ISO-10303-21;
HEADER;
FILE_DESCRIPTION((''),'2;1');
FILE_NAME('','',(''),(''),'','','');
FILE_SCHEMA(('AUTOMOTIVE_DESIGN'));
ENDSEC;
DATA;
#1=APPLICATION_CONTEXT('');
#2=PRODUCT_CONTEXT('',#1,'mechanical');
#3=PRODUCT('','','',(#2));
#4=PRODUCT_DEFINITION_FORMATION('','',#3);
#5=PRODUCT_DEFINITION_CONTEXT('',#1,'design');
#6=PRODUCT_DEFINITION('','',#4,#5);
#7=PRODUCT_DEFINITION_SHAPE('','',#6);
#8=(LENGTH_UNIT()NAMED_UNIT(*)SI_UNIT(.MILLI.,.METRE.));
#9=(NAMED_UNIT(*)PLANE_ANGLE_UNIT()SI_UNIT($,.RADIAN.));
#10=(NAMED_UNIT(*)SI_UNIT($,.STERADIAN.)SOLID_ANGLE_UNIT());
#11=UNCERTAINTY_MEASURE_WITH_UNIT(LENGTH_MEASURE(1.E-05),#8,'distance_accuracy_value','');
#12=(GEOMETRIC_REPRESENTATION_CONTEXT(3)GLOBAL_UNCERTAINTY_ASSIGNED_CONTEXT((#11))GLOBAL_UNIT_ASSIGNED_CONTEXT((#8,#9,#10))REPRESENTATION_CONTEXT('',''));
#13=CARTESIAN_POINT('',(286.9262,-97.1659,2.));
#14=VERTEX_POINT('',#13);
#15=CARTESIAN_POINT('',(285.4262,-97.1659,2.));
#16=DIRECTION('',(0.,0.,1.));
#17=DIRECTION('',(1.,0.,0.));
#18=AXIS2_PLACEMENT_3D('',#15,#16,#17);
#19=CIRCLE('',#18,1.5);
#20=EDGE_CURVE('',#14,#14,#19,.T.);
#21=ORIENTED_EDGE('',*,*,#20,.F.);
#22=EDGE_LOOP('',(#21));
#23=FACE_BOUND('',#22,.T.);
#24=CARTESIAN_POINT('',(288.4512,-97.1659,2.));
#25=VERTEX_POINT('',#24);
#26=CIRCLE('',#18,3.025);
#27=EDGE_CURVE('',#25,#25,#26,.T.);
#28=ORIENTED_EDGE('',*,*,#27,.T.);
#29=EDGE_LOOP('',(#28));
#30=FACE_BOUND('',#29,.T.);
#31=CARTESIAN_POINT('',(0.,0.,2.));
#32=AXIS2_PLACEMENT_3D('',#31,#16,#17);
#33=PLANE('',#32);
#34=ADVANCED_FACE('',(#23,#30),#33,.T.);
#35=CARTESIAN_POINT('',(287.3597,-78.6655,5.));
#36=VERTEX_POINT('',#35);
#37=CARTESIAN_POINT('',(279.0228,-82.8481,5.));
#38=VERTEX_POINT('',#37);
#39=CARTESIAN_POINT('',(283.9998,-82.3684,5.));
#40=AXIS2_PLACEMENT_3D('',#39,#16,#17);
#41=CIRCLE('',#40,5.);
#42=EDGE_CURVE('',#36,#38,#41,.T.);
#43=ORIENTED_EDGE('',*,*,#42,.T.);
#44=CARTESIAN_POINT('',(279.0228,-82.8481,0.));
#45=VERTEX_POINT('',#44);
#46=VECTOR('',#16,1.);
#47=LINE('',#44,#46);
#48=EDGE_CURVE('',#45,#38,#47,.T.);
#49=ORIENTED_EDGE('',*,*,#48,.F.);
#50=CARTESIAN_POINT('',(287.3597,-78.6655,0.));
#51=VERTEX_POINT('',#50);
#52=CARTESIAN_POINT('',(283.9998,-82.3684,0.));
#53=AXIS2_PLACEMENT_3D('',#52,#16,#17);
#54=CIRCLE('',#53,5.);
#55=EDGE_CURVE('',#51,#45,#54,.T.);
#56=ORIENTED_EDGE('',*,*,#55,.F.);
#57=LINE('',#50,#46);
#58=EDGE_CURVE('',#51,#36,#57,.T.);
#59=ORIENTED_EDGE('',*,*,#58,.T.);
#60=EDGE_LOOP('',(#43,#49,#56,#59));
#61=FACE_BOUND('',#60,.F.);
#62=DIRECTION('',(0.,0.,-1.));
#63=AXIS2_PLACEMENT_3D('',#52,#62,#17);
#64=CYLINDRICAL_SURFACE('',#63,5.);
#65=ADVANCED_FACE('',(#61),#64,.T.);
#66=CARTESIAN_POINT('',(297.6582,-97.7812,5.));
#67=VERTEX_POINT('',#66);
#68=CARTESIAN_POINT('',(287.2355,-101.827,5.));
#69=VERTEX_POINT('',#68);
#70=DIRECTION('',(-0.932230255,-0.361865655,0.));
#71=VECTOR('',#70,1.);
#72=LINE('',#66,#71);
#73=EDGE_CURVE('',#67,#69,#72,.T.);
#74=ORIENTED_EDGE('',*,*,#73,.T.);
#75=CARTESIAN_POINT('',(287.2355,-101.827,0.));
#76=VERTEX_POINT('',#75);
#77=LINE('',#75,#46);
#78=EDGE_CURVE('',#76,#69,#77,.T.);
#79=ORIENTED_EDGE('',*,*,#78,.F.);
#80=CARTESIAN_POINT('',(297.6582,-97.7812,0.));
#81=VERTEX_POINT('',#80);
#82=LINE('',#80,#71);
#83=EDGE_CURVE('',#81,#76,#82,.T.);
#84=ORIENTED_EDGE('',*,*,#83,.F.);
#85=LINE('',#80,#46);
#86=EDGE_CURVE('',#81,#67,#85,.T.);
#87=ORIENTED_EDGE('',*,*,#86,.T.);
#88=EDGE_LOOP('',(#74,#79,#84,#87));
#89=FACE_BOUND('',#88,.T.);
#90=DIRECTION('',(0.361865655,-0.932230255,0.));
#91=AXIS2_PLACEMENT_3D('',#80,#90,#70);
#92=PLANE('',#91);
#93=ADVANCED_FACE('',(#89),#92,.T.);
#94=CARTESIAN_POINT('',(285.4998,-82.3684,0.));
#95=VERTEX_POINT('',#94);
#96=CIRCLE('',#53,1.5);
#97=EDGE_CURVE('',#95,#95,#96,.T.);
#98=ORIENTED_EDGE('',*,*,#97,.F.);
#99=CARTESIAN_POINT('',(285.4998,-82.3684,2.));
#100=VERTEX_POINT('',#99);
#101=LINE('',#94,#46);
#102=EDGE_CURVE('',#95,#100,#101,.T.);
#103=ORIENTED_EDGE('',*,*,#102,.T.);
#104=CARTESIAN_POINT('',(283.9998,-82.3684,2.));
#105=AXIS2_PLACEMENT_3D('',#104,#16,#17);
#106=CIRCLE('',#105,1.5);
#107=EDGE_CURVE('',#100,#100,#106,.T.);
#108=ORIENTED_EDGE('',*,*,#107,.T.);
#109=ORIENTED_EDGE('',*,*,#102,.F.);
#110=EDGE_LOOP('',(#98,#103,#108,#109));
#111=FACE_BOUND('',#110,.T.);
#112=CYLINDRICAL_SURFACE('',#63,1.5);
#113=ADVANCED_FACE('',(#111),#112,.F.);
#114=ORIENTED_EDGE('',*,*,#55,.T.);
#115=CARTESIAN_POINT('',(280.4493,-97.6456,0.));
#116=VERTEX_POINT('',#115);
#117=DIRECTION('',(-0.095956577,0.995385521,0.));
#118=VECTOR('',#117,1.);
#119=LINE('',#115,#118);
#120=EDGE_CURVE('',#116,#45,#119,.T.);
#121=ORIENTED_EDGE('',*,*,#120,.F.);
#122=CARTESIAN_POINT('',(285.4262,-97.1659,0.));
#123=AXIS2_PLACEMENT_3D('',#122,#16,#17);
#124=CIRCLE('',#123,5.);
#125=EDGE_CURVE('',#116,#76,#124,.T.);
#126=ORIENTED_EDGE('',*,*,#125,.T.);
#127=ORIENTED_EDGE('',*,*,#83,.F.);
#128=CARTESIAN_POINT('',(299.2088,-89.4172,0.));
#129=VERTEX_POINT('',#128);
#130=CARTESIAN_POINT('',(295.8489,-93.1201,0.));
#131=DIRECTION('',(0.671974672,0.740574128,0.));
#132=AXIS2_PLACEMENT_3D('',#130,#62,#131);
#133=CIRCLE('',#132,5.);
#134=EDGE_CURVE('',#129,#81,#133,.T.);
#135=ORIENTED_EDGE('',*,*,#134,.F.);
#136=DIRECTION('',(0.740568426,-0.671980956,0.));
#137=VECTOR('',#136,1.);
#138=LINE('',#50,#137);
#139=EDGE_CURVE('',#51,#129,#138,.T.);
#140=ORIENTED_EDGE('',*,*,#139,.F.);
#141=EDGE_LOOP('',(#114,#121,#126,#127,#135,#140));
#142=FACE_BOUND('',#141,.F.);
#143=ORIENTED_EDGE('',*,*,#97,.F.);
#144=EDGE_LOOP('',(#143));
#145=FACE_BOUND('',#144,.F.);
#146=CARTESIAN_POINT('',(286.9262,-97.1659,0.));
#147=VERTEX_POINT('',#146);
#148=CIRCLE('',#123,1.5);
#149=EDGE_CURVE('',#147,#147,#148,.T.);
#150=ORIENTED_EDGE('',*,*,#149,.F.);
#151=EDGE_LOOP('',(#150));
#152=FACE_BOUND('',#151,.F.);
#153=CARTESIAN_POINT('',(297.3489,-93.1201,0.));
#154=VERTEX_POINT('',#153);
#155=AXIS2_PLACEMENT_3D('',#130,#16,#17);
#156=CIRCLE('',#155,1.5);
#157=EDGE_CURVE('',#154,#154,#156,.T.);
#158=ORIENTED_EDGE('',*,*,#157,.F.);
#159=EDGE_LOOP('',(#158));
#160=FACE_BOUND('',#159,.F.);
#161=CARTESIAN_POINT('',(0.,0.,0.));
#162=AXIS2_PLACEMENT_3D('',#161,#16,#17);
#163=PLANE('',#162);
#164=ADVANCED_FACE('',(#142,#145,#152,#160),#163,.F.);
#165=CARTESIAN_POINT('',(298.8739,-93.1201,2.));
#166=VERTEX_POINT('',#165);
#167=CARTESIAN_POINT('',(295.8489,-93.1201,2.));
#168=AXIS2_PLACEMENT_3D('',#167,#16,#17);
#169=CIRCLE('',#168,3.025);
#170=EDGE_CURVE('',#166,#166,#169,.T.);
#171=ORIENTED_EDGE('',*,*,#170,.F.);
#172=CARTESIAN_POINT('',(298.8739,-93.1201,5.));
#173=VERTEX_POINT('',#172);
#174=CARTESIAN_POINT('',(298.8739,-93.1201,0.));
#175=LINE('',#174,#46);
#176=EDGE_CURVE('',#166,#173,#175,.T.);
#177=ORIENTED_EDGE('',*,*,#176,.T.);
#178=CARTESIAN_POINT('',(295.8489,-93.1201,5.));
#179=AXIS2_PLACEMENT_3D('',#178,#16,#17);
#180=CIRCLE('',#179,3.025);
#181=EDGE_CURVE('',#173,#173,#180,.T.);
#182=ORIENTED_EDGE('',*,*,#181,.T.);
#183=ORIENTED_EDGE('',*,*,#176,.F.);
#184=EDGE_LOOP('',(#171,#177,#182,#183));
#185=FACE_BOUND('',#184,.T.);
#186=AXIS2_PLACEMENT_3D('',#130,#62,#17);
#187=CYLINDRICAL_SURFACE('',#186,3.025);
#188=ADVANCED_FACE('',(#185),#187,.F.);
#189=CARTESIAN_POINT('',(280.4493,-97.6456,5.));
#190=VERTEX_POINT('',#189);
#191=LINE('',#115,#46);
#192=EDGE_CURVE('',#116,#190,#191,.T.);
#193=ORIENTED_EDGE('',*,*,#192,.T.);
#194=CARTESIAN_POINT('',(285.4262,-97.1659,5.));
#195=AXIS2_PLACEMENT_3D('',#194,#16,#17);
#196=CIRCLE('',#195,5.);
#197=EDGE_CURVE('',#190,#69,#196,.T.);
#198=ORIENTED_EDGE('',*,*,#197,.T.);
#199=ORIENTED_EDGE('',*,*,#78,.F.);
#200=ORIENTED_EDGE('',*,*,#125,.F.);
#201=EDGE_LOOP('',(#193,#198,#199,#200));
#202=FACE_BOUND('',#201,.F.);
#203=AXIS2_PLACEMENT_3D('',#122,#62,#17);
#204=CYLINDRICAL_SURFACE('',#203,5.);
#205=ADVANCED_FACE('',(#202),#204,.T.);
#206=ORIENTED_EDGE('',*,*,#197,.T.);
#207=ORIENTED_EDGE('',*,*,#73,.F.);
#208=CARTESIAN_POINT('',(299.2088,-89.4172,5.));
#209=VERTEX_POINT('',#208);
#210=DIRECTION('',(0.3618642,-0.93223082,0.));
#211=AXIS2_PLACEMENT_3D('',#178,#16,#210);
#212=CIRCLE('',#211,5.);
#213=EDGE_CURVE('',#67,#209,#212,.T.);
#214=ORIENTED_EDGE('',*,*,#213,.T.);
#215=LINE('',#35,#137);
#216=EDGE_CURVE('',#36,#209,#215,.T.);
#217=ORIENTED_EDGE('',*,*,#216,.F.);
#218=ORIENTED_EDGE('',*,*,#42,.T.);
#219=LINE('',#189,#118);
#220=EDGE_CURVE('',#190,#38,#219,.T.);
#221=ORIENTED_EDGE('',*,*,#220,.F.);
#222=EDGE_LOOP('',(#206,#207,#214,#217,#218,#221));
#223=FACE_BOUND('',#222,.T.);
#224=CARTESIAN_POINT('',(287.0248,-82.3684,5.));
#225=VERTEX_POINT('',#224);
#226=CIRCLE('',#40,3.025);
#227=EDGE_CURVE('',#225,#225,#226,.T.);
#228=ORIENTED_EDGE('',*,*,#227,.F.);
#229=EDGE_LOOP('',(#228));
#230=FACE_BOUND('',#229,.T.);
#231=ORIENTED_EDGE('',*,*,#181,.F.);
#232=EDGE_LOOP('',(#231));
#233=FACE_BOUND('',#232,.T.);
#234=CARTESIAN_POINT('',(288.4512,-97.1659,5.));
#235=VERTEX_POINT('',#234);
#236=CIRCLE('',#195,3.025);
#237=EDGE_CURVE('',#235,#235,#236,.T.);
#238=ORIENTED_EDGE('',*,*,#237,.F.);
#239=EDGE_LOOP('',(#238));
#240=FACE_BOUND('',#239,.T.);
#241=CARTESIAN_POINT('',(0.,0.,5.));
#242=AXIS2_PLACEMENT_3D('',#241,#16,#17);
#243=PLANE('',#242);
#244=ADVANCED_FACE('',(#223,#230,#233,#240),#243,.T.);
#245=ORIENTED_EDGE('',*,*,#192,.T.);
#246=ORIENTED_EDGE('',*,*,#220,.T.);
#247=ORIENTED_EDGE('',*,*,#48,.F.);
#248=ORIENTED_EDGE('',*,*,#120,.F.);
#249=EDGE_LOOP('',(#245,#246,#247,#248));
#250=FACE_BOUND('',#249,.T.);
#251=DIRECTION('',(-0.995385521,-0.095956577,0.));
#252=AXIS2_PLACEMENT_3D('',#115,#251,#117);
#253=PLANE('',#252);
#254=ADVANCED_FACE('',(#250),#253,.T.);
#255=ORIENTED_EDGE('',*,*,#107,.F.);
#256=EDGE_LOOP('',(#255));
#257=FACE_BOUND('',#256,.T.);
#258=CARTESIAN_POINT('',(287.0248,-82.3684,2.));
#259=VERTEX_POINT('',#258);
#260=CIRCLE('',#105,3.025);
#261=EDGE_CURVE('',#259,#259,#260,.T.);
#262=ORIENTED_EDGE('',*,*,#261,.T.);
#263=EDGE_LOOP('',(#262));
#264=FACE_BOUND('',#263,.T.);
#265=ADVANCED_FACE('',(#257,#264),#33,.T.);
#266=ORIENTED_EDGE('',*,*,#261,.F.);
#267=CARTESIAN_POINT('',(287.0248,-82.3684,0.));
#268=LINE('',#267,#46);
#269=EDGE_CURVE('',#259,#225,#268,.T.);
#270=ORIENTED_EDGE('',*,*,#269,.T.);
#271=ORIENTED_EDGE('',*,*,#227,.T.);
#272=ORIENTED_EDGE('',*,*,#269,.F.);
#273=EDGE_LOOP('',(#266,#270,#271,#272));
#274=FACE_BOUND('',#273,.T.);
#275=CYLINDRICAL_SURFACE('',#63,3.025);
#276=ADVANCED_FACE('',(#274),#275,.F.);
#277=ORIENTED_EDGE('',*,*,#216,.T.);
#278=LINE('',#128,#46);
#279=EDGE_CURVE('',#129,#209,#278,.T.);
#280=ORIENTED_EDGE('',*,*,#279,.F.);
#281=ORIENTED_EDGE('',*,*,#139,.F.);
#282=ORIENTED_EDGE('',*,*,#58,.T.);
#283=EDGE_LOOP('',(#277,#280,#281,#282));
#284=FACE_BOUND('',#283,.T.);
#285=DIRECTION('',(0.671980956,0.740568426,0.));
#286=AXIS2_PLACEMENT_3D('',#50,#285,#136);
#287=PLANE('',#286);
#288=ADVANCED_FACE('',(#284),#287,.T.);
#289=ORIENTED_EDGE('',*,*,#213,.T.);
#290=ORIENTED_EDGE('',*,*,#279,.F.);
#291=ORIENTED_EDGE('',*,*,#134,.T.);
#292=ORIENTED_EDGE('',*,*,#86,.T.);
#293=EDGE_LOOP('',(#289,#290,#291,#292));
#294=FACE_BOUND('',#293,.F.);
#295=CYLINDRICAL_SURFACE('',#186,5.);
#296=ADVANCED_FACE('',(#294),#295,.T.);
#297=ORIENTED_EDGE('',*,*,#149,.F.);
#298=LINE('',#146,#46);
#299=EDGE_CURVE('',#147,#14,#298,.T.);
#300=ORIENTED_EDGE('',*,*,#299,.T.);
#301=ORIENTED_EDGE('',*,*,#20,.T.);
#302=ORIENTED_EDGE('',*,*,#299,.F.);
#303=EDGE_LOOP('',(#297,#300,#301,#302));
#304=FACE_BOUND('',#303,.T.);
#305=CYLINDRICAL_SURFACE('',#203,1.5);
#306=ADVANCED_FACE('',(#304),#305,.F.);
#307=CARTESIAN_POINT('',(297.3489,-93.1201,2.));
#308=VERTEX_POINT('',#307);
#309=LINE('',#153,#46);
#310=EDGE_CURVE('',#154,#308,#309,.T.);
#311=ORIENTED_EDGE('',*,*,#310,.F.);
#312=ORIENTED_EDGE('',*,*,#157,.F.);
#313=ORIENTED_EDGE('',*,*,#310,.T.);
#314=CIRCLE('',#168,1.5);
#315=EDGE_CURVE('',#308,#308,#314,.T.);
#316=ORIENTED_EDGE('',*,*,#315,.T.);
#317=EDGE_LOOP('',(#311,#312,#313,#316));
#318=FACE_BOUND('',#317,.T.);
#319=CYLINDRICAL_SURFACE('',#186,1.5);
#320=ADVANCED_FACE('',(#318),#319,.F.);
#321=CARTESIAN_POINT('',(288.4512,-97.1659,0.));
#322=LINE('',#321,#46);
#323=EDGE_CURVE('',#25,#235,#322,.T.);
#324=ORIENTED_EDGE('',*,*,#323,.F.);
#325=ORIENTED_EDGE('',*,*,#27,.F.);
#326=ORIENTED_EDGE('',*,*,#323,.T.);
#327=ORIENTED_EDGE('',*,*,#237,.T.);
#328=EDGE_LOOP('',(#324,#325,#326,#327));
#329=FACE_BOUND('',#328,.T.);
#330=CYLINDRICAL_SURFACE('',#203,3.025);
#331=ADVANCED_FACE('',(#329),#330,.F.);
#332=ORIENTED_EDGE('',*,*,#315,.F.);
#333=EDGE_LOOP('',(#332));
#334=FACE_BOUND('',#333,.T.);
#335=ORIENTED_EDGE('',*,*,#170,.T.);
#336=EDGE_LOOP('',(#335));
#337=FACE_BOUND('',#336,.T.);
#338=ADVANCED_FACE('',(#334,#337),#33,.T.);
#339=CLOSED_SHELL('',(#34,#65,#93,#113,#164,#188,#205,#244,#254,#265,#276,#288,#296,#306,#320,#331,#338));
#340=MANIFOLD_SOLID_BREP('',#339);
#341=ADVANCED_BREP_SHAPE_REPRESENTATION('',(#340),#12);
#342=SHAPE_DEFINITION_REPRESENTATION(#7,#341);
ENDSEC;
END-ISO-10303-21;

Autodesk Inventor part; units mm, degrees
ref_plane "YZ Plane" through (0, 0, 0) normal (1, 0, 0) x (0, 1, 0)
ref_plane "XZ Plane" through (0, 0, 0) normal (0, 1, 0) x (-1, 0, 0)
ref_plane "XY Plane" through (0, 0, 0) normal (0, 0, 1) x (1, 0, 0)
sketch "スケッチ1" plane through (0, 0, 0) normal (0, 0, 1) x (1, 0, 0)
  circle A0 centre (283.9998, -82.3684) radius 3.025
  circle A1 centre (295.8489, -93.1201) radius 3.025
  circle A2 centre (285.4262, -97.1659) radius 3.025
  circle A3 centre (283.9998, -82.3684) radius 5
  circle A4 centre (295.8489, -93.1201) radius 5
  circle A5 centre (285.4262, -97.1659) radius 5
  line L0 (287.3597, -78.6655) -> (299.2088, -89.4172)
  line L1 (297.6582, -97.7812) -> (287.2355, -101.827)
  line L2 (280.4493, -97.6456) -> (279.0228, -82.8481)
  circle A6 centre (283.9998, -82.3684) radius 1.5
  circle A7 centre (285.4262, -97.1659) radius 1.5
  circle A8 centre (295.8489, -93.1201) radius 1.5
  point P0 (0, 0)
  point P1 (0, 0)
  dimension "d0" = 10
  dimension "d3" = 3
extrude "押し出し1" add sketch "スケッチ1" along normal blind 5 contours A3 | A3 L0 A4 L1 A5 L2 | A4 | A5
extrude "押し出し2" add sketch "スケッチ1" along normal blind 2 contours A0 | A1 | A2
properties part number "アーム抑え" material "ポリカーボネート、スモーク"
